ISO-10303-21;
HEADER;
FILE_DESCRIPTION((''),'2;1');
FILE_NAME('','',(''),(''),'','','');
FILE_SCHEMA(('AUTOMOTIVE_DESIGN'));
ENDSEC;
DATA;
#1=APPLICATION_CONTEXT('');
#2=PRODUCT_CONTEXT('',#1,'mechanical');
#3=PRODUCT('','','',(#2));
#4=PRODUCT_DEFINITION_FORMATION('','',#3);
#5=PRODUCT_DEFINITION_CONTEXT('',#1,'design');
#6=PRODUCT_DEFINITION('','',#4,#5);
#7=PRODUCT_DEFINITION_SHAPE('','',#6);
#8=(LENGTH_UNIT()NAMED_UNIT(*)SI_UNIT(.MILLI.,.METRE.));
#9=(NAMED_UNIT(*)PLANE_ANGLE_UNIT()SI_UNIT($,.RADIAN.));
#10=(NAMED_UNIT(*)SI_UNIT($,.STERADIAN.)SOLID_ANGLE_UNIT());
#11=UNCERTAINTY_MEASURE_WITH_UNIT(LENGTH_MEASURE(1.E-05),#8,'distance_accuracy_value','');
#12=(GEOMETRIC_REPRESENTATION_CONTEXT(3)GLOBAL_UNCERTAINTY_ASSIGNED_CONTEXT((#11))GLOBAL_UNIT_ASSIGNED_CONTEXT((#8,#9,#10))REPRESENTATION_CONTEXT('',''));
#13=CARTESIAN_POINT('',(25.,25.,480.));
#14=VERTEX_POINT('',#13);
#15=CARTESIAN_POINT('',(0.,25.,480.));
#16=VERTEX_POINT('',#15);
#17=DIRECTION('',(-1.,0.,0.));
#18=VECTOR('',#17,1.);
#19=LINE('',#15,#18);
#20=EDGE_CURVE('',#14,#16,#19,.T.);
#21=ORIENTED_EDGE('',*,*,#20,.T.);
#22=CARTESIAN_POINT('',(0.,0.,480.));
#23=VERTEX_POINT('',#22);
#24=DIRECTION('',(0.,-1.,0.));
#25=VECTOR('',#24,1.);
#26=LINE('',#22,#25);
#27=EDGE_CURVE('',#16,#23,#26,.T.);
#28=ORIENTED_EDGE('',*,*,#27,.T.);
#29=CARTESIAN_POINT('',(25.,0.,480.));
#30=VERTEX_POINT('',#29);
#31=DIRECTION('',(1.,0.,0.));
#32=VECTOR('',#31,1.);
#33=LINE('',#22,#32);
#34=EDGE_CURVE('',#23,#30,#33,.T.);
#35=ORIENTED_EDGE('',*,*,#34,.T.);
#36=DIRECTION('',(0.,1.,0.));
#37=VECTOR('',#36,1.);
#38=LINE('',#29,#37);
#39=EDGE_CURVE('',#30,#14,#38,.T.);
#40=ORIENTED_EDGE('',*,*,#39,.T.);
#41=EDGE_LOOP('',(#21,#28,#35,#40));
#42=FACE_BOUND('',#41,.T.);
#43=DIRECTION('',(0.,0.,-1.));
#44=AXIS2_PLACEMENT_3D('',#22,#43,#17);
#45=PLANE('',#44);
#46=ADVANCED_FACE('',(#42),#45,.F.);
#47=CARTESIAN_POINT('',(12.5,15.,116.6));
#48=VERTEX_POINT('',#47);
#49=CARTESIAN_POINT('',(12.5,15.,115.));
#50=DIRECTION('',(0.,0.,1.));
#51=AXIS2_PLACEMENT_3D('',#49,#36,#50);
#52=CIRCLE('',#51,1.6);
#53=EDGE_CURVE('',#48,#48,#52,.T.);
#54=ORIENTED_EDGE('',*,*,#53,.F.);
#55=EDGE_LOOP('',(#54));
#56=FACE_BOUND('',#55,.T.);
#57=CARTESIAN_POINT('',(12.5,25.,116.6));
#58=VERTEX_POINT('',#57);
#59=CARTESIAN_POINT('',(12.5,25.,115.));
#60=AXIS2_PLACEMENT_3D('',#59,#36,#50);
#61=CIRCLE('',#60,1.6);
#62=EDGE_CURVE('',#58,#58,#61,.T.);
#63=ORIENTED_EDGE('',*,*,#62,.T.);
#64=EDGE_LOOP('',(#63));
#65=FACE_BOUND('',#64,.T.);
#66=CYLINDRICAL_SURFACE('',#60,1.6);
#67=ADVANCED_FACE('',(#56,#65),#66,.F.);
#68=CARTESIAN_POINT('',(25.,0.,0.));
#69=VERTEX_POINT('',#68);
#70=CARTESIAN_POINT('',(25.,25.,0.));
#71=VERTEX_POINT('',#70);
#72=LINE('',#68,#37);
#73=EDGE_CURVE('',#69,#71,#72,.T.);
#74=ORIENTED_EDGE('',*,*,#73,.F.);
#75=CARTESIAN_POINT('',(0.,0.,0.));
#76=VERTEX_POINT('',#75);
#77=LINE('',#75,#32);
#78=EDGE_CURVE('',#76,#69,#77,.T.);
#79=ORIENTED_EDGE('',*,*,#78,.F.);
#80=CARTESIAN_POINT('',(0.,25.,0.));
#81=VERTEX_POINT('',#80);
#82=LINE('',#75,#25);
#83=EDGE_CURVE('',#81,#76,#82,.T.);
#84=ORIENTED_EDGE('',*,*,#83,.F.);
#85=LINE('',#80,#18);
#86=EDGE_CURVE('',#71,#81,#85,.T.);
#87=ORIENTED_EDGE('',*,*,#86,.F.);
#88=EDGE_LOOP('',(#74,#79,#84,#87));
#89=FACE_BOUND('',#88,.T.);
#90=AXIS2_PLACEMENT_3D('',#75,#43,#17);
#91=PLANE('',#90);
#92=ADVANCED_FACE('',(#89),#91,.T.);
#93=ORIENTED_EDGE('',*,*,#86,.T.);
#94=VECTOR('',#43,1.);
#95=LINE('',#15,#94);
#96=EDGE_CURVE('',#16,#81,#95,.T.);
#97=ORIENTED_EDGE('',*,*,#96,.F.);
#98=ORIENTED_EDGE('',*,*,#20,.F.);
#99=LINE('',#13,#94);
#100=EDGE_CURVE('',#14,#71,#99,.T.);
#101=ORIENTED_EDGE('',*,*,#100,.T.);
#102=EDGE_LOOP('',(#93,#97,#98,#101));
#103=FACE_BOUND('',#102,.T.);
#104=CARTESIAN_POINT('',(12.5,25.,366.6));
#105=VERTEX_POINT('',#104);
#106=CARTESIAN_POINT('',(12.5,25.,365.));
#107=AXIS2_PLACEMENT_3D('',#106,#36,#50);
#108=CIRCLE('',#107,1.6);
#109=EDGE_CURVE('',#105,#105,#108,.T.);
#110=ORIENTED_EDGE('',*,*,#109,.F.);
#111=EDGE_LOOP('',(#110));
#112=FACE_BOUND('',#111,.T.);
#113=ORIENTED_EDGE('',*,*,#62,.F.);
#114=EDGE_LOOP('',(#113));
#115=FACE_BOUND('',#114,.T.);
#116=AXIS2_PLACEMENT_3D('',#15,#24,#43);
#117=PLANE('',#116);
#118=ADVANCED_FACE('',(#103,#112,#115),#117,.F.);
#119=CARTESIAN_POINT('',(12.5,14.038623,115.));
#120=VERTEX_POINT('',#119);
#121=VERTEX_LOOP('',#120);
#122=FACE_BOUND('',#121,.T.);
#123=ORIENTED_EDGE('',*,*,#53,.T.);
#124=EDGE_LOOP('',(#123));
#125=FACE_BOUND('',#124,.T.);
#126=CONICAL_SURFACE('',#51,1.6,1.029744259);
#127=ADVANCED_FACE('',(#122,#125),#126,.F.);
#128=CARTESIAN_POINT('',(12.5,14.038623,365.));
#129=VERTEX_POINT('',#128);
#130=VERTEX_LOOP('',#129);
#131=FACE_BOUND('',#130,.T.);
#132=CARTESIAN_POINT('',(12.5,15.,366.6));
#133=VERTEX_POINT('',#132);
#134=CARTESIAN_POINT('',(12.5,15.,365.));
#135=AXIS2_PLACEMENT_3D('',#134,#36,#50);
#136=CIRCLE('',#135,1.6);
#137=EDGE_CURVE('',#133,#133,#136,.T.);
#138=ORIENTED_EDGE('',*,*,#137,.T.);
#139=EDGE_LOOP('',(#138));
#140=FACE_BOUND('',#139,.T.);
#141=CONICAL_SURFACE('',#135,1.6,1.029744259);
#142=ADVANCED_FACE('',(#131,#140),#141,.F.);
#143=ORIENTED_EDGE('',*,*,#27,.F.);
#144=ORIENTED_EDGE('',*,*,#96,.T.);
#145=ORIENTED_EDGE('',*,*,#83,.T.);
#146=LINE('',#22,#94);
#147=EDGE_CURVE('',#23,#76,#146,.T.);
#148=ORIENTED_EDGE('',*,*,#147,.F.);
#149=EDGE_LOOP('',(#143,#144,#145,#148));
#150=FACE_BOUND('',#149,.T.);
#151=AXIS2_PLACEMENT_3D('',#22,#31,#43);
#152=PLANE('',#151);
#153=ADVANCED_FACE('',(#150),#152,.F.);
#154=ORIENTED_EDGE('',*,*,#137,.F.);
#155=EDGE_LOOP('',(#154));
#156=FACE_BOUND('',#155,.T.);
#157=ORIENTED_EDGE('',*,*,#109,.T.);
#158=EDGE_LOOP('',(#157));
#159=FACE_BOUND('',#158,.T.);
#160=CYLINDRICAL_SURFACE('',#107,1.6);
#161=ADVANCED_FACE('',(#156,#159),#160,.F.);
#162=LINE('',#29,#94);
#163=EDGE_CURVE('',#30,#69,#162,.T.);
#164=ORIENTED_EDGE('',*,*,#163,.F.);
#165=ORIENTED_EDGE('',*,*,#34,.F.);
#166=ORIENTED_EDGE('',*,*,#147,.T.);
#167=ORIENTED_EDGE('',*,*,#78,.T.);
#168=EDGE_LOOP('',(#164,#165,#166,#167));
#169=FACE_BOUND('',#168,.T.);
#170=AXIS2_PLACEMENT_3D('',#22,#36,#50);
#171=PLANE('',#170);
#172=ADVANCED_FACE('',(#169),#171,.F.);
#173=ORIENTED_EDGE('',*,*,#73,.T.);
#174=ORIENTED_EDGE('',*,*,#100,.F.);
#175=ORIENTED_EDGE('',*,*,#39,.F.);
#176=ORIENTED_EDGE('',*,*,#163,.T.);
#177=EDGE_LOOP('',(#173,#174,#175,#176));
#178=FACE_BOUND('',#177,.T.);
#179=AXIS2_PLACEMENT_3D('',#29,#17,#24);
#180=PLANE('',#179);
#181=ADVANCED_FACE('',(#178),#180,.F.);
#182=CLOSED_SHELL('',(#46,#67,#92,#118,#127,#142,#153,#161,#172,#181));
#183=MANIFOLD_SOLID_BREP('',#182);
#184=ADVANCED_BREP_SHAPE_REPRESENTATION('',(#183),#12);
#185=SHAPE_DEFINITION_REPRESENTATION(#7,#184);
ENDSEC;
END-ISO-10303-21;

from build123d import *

# Parameters (mm, degrees)
SZKIC1_W                    = 25
SZKIC1_H                    = 25
DODANIE_WYCI_GNI_CIE1_DEPTH = 480
OTW_R_POD_RUB_M31_D         = 3.2
OTW_R_POD_RUB_M31_DEPTH     = 10
OTW_R_POD_RUB_M31_TIP       = 0.96137699


with BuildPart() as part:
    # Szkic1 → Dodanie-wyciągnięcie1 (new body)
    with BuildSketch(Plane.XY):
        with Locations((12.5, 12.5)):
            Rectangle(SZKIC1_W, SZKIC1_H)
    extrude(amount=DODANIE_WYCI_GNI_CIE1_DEPTH)

    # Otwór pod śrubę M31
    with Locations(Plane(origin=(0, 25, 0), x_dir=(1, 0, 0), z_dir=(0, 1, 0))):
        with Locations((12.5, -115), (12.5, -365)):
            Hole(OTW_R_POD_RUB_M31_D / 2, depth=OTW_R_POD_RUB_M31_DEPTH)
            with Locations((0, 0, -(OTW_R_POD_RUB_M31_DEPTH + OTW_R_POD_RUB_M31_TIP / 2))):  # 118° drill point
                Cone(0, OTW_R_POD_RUB_M31_D / 2, OTW_R_POD_RUB_M31_TIP, mode=Mode.SUBTRACT)


solid = part.part
